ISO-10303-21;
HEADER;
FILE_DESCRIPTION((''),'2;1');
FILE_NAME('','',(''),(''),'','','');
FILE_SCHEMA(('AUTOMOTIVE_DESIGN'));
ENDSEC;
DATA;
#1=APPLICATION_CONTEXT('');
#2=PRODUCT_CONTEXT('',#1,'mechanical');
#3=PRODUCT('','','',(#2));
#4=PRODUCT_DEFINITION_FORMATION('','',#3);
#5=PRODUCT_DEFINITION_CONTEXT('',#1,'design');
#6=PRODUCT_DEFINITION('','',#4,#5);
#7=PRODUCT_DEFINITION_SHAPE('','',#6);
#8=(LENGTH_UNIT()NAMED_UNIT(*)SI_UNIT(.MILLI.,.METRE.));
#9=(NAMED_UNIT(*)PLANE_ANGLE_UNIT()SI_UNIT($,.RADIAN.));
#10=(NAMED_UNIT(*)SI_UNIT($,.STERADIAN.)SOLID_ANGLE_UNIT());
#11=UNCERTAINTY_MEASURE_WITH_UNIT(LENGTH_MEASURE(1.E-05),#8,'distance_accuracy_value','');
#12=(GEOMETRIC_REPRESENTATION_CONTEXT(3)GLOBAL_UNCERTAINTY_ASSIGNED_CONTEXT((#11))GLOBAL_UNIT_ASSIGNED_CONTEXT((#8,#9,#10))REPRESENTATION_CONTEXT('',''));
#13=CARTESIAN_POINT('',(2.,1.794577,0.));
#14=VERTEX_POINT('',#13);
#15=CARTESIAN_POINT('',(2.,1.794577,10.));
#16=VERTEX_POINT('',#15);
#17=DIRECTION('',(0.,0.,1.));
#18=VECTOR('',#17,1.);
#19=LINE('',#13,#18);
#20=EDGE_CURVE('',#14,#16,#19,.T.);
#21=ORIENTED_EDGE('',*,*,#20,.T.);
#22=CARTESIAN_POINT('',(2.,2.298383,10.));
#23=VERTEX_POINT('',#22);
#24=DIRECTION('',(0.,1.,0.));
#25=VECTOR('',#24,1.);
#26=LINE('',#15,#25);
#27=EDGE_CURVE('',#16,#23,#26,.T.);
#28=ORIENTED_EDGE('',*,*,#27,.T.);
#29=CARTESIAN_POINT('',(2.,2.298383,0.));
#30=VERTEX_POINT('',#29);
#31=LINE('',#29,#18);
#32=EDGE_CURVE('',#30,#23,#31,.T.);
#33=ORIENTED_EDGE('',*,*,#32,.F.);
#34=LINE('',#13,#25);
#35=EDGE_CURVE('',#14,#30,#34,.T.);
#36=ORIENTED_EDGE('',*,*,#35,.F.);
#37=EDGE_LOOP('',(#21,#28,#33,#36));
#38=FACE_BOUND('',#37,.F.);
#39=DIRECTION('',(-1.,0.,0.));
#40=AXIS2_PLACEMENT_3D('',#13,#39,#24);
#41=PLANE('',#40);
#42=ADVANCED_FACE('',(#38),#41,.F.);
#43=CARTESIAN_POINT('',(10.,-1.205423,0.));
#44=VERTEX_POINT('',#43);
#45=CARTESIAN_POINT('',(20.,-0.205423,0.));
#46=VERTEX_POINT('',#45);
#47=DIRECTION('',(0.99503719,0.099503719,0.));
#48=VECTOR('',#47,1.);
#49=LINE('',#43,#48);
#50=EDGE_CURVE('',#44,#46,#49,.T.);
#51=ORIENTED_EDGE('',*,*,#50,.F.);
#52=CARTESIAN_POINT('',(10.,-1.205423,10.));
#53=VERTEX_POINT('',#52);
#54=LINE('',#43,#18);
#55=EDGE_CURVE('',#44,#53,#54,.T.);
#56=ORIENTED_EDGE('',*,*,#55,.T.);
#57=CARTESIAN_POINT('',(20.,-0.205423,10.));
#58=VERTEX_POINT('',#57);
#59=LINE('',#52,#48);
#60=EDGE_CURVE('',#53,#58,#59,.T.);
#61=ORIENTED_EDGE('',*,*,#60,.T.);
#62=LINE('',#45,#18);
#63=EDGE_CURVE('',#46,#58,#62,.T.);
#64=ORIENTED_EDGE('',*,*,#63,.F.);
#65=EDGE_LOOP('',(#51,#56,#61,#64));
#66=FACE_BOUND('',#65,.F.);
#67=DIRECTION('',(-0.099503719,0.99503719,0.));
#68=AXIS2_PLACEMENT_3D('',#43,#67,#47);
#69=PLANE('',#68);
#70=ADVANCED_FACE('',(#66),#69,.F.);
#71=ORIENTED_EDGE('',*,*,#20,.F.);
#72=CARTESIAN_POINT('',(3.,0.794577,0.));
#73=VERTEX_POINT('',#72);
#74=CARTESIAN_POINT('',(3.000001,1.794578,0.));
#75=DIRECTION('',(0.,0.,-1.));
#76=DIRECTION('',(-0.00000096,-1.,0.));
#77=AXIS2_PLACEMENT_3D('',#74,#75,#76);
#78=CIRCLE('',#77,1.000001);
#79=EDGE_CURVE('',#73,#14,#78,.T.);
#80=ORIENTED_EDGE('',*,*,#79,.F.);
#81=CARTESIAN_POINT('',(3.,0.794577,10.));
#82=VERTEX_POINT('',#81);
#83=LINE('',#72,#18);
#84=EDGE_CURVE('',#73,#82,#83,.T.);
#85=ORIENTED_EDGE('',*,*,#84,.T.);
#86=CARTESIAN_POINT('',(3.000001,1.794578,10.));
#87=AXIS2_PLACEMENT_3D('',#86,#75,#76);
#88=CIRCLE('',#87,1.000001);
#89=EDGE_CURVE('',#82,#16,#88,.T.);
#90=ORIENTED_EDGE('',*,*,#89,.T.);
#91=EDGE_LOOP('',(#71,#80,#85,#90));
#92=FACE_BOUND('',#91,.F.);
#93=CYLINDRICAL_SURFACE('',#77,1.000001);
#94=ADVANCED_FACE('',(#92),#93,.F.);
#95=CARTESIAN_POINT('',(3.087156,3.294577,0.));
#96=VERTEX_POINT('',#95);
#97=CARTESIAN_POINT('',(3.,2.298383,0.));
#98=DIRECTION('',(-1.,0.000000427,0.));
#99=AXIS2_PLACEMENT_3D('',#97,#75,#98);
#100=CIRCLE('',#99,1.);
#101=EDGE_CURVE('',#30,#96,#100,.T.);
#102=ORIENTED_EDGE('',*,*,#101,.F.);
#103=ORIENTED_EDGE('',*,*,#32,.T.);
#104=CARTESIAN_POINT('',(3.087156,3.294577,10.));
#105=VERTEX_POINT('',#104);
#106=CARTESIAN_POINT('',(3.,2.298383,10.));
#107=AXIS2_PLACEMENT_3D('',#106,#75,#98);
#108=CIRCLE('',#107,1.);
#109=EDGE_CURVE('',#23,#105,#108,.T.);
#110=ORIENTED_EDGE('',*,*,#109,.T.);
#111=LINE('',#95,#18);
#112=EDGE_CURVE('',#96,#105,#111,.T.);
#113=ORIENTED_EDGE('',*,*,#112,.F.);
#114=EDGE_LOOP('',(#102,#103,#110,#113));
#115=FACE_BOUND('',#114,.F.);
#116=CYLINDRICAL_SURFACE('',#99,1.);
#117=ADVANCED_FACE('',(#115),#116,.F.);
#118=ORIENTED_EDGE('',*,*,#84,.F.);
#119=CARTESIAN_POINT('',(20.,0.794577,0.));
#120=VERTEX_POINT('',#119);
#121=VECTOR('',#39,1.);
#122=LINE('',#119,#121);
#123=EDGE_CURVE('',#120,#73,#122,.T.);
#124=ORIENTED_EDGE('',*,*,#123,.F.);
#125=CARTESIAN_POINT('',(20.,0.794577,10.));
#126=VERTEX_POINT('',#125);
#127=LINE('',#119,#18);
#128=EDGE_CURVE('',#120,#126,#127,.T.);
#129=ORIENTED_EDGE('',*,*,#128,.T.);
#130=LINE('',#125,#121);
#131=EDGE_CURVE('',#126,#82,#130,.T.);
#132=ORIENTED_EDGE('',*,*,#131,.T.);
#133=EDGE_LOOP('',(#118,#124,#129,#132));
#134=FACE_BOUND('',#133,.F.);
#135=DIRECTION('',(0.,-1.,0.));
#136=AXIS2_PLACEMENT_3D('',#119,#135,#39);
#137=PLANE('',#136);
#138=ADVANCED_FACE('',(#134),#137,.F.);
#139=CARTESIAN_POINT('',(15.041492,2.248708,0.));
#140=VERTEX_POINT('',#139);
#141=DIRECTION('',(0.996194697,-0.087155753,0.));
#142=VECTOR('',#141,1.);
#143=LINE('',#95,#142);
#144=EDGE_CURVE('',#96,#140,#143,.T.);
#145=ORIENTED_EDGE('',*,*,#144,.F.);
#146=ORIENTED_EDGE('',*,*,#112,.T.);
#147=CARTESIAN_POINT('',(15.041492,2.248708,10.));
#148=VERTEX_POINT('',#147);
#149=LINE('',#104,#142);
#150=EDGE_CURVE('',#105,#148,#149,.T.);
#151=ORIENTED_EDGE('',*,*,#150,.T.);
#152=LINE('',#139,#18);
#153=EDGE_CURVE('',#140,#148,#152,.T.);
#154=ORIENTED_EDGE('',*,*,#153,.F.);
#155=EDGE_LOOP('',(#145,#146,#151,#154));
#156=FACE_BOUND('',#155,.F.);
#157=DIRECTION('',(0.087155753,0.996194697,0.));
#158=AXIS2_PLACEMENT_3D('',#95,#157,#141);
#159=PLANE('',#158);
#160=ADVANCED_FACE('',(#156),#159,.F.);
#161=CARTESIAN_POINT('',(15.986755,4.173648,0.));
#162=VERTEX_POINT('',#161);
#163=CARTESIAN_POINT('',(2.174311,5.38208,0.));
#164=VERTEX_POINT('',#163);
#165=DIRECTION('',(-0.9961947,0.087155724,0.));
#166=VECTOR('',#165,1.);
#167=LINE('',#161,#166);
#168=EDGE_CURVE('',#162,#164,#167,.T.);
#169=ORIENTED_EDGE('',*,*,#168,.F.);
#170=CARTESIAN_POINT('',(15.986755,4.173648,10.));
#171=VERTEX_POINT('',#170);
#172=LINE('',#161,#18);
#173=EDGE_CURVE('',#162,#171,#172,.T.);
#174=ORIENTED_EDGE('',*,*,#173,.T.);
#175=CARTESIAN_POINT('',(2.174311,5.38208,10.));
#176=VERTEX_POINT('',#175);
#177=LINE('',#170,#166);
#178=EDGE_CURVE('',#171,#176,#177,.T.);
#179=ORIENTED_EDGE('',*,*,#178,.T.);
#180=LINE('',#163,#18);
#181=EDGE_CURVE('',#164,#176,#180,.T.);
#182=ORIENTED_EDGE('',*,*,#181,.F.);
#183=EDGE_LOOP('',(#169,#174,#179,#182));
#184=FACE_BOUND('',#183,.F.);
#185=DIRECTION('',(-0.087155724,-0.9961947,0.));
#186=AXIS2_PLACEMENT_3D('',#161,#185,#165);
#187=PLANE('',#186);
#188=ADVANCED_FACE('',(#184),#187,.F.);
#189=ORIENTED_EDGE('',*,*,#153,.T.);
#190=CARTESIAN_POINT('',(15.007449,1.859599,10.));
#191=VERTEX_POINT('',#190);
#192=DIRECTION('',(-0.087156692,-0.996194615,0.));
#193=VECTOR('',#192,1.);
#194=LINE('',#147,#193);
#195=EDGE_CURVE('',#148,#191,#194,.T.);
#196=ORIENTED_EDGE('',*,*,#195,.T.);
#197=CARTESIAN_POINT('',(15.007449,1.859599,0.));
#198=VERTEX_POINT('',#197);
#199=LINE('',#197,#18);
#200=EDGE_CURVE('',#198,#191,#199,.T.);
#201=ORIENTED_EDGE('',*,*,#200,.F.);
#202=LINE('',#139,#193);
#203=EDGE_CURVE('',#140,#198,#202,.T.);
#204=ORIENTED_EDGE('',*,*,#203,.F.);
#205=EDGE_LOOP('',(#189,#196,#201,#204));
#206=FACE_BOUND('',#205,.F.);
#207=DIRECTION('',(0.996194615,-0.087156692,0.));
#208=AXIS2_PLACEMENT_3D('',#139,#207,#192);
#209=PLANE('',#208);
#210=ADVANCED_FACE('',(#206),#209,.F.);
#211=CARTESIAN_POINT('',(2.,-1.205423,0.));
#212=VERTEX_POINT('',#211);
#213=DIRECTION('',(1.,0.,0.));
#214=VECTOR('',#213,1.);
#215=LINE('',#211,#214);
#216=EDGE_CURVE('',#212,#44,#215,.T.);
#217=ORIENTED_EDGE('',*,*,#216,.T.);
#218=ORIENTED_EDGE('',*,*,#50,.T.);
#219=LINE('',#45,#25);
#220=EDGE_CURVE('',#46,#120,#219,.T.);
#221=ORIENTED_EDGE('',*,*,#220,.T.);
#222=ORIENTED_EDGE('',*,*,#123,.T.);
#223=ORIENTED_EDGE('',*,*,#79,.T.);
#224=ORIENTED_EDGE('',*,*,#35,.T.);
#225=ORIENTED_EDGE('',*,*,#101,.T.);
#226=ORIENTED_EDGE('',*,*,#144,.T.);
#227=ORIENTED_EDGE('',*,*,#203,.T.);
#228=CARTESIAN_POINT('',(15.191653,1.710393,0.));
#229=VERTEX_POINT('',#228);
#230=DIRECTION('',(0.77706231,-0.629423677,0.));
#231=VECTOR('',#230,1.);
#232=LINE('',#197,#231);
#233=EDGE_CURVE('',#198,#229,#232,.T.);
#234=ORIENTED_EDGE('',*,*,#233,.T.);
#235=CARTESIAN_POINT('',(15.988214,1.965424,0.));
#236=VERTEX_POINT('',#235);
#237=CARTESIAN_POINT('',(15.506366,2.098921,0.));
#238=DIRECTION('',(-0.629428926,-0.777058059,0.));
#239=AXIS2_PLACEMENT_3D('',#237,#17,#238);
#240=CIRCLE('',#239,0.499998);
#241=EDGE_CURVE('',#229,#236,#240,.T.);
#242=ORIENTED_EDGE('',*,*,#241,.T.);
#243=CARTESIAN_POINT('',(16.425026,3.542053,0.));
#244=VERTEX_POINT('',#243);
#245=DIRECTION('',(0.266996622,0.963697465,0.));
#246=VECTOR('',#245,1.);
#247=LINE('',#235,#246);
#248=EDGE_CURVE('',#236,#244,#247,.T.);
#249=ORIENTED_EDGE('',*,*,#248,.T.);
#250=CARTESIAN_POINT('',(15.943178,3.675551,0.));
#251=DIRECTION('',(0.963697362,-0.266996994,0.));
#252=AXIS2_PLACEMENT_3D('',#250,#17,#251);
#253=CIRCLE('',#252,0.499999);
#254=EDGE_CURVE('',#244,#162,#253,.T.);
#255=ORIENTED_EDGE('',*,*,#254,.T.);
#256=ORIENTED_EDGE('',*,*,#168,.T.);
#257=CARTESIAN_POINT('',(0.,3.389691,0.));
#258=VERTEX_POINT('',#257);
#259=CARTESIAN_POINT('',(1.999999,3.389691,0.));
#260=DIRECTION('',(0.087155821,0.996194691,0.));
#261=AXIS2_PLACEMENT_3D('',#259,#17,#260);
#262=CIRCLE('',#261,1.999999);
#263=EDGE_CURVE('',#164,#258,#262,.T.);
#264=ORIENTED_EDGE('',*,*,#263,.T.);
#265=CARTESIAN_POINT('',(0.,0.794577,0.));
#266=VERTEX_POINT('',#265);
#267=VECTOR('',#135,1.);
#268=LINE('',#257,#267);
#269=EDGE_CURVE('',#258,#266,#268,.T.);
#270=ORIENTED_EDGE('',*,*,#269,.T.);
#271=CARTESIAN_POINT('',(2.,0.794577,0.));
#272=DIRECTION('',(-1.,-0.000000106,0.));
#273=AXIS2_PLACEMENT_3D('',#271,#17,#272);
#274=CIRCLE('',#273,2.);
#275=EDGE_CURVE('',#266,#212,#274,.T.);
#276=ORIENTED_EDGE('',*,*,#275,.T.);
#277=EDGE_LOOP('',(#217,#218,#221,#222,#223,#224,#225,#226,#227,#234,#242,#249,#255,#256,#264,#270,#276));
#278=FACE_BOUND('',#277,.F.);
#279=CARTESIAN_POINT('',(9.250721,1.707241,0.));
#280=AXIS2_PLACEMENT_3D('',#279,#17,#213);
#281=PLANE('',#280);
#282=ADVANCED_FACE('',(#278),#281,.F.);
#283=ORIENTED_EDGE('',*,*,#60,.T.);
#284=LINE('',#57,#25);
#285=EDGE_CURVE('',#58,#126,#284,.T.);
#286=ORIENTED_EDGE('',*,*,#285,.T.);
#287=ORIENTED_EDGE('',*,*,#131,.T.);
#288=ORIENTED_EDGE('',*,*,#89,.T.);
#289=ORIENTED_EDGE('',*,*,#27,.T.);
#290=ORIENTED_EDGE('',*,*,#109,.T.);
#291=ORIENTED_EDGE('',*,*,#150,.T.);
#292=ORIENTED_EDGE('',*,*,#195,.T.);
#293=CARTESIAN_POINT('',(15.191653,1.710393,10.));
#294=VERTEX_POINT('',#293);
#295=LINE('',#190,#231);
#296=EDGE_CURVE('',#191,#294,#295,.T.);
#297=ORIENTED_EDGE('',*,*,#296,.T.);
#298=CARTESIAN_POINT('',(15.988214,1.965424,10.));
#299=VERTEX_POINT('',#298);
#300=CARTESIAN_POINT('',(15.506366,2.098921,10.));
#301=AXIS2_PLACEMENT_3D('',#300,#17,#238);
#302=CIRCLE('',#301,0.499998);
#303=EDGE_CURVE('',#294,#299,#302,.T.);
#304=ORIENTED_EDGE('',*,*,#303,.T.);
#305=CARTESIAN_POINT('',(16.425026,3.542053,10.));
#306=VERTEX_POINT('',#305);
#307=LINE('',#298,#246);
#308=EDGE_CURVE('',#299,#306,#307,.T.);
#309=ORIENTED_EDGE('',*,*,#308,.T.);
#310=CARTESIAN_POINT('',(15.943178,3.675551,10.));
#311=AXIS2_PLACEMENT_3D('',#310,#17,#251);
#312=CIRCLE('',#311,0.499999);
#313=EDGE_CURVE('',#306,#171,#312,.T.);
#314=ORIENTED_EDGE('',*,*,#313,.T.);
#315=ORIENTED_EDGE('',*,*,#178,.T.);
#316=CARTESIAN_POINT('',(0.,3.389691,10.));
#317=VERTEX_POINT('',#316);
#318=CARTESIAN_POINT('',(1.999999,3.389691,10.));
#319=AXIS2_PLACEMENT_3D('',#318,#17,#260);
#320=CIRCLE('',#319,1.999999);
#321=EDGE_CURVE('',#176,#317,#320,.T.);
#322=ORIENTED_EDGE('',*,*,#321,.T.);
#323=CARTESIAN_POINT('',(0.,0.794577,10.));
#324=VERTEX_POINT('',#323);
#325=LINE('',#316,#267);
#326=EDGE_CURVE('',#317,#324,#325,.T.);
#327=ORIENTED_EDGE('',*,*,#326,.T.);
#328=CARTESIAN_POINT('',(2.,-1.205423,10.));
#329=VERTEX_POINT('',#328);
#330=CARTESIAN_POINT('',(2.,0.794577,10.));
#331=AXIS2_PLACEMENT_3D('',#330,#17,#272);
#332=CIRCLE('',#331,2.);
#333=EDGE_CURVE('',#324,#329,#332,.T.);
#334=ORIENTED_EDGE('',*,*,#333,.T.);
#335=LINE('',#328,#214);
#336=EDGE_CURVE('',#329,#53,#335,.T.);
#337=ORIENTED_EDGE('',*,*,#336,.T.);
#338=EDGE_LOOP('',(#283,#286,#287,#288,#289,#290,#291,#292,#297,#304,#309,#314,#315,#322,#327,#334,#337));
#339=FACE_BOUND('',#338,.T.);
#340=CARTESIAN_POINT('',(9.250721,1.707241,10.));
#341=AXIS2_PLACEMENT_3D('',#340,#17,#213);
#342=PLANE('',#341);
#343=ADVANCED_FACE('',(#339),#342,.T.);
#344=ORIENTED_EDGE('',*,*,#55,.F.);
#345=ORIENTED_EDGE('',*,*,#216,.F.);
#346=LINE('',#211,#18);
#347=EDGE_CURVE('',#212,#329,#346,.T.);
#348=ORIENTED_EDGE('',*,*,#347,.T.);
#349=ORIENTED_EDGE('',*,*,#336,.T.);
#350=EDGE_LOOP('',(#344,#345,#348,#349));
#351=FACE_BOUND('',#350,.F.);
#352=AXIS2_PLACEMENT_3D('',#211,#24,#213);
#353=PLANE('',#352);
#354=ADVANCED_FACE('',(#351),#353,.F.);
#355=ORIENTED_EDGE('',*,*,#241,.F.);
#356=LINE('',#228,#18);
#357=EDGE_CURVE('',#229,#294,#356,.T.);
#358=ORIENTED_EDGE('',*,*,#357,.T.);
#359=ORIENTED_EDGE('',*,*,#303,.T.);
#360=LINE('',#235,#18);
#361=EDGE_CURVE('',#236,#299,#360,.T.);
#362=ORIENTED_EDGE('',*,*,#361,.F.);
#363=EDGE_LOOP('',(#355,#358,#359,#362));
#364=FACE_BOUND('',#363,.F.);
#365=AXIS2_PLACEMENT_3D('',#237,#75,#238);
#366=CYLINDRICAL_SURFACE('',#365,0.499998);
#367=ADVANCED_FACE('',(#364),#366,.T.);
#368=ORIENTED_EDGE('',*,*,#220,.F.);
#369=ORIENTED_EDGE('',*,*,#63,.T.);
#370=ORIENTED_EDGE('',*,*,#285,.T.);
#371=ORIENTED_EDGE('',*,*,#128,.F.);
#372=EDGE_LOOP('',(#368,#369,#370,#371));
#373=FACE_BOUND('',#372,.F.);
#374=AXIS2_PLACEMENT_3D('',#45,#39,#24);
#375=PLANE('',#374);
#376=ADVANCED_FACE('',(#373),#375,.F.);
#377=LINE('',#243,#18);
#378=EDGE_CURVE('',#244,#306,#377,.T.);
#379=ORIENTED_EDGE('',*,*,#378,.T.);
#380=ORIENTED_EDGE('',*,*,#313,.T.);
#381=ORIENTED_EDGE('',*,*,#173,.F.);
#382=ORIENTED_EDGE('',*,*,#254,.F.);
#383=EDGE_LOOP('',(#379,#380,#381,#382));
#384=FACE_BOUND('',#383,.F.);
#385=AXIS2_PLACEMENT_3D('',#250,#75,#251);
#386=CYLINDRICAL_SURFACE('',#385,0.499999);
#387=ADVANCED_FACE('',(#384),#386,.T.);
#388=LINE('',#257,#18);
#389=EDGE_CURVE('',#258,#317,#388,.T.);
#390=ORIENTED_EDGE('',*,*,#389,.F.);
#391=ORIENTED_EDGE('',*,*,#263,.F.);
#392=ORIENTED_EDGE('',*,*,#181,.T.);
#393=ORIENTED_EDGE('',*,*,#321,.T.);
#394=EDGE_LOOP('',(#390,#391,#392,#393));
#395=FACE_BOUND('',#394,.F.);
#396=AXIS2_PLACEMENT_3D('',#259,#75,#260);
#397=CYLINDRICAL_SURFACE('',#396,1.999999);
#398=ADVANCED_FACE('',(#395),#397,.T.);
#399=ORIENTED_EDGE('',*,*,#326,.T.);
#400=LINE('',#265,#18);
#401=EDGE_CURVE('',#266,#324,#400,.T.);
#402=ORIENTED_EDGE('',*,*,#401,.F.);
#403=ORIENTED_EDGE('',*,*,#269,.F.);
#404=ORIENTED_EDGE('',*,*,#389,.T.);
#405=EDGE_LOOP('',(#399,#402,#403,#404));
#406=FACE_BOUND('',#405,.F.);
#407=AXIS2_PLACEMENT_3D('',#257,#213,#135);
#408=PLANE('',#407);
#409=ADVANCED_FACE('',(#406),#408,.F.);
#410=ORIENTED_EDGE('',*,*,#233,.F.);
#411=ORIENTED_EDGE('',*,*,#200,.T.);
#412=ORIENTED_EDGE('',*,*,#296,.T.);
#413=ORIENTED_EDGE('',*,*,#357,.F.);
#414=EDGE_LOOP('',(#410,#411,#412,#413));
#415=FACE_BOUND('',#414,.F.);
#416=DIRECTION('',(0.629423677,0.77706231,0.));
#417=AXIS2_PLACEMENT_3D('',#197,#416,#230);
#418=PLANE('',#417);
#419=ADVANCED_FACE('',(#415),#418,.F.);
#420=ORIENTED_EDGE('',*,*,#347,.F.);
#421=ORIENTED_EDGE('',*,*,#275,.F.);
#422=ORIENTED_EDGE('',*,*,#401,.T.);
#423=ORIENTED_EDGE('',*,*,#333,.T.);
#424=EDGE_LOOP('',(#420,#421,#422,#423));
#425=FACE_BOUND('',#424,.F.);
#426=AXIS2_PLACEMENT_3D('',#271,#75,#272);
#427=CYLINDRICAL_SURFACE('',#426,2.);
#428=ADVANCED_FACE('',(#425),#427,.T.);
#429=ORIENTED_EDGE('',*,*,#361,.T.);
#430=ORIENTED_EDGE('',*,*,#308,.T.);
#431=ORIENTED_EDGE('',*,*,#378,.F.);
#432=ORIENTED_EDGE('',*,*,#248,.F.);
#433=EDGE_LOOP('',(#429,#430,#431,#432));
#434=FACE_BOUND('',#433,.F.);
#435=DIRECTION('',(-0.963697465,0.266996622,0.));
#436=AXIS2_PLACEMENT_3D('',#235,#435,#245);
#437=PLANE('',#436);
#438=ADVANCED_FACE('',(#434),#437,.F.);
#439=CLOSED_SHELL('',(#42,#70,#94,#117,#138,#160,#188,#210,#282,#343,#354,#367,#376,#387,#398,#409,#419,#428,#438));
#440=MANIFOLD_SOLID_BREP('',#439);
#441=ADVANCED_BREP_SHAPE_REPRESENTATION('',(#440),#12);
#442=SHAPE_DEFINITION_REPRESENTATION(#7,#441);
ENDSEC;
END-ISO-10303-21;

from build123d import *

# Parameters (mm, degrees)
F1_DEPTH = 10


with BuildPart() as f1:
    # F0 (on Top) → F1 (new body)
    with BuildSketch(Plane.XY):
        with BuildLine():
            Line((20, -0.205423), (20, 0.794577))
            Line((20, 0.794577), (3, 0.794577))
            ThreePointArc((3, 0.794577), (2.292893, 1.087471), (2, 1.794577))
            Line((2, 1.794577), (2, 2.298383))
            ThreePointArc((2, 2.298383), (2.32441, 3.03566), (3.087156, 3.294577))
            Line((3.087156, 3.294577), (15.041492, 2.248708))
            Line((15.041492, 2.248708), (15.007449, 1.859599))
            Line((15.007449, 1.859599), (15.191653, 1.710393))
            ThreePointArc((15.191653, 1.710393), (15.658825, 1.622733), (15.988214, 1.965424))
            Line((15.988214, 1.965424), (16.425026, 3.542053))
            ThreePointArc((16.425026, 3.542053), (16.353965, 3.960601), (15.986755, 4.173648))
            Line((15.986755, 4.173648), (2.174311, 5.38208))
            ThreePointArc((2.174311, 5.38208), (0.64882, 4.864246), (0, 3.389691))
            Line((0, 3.389691), (0, 0.794577))
            ThreePointArc((0, 0.794577), (0.585786, -0.619636), (2, -1.205423))
            Line((2, -1.205423), (10, -1.205423))
            Line((10, -1.205423), (20, -0.205423))
        make_face()
    extrude(amount=F1_DEPTH)


solid = f1.part
